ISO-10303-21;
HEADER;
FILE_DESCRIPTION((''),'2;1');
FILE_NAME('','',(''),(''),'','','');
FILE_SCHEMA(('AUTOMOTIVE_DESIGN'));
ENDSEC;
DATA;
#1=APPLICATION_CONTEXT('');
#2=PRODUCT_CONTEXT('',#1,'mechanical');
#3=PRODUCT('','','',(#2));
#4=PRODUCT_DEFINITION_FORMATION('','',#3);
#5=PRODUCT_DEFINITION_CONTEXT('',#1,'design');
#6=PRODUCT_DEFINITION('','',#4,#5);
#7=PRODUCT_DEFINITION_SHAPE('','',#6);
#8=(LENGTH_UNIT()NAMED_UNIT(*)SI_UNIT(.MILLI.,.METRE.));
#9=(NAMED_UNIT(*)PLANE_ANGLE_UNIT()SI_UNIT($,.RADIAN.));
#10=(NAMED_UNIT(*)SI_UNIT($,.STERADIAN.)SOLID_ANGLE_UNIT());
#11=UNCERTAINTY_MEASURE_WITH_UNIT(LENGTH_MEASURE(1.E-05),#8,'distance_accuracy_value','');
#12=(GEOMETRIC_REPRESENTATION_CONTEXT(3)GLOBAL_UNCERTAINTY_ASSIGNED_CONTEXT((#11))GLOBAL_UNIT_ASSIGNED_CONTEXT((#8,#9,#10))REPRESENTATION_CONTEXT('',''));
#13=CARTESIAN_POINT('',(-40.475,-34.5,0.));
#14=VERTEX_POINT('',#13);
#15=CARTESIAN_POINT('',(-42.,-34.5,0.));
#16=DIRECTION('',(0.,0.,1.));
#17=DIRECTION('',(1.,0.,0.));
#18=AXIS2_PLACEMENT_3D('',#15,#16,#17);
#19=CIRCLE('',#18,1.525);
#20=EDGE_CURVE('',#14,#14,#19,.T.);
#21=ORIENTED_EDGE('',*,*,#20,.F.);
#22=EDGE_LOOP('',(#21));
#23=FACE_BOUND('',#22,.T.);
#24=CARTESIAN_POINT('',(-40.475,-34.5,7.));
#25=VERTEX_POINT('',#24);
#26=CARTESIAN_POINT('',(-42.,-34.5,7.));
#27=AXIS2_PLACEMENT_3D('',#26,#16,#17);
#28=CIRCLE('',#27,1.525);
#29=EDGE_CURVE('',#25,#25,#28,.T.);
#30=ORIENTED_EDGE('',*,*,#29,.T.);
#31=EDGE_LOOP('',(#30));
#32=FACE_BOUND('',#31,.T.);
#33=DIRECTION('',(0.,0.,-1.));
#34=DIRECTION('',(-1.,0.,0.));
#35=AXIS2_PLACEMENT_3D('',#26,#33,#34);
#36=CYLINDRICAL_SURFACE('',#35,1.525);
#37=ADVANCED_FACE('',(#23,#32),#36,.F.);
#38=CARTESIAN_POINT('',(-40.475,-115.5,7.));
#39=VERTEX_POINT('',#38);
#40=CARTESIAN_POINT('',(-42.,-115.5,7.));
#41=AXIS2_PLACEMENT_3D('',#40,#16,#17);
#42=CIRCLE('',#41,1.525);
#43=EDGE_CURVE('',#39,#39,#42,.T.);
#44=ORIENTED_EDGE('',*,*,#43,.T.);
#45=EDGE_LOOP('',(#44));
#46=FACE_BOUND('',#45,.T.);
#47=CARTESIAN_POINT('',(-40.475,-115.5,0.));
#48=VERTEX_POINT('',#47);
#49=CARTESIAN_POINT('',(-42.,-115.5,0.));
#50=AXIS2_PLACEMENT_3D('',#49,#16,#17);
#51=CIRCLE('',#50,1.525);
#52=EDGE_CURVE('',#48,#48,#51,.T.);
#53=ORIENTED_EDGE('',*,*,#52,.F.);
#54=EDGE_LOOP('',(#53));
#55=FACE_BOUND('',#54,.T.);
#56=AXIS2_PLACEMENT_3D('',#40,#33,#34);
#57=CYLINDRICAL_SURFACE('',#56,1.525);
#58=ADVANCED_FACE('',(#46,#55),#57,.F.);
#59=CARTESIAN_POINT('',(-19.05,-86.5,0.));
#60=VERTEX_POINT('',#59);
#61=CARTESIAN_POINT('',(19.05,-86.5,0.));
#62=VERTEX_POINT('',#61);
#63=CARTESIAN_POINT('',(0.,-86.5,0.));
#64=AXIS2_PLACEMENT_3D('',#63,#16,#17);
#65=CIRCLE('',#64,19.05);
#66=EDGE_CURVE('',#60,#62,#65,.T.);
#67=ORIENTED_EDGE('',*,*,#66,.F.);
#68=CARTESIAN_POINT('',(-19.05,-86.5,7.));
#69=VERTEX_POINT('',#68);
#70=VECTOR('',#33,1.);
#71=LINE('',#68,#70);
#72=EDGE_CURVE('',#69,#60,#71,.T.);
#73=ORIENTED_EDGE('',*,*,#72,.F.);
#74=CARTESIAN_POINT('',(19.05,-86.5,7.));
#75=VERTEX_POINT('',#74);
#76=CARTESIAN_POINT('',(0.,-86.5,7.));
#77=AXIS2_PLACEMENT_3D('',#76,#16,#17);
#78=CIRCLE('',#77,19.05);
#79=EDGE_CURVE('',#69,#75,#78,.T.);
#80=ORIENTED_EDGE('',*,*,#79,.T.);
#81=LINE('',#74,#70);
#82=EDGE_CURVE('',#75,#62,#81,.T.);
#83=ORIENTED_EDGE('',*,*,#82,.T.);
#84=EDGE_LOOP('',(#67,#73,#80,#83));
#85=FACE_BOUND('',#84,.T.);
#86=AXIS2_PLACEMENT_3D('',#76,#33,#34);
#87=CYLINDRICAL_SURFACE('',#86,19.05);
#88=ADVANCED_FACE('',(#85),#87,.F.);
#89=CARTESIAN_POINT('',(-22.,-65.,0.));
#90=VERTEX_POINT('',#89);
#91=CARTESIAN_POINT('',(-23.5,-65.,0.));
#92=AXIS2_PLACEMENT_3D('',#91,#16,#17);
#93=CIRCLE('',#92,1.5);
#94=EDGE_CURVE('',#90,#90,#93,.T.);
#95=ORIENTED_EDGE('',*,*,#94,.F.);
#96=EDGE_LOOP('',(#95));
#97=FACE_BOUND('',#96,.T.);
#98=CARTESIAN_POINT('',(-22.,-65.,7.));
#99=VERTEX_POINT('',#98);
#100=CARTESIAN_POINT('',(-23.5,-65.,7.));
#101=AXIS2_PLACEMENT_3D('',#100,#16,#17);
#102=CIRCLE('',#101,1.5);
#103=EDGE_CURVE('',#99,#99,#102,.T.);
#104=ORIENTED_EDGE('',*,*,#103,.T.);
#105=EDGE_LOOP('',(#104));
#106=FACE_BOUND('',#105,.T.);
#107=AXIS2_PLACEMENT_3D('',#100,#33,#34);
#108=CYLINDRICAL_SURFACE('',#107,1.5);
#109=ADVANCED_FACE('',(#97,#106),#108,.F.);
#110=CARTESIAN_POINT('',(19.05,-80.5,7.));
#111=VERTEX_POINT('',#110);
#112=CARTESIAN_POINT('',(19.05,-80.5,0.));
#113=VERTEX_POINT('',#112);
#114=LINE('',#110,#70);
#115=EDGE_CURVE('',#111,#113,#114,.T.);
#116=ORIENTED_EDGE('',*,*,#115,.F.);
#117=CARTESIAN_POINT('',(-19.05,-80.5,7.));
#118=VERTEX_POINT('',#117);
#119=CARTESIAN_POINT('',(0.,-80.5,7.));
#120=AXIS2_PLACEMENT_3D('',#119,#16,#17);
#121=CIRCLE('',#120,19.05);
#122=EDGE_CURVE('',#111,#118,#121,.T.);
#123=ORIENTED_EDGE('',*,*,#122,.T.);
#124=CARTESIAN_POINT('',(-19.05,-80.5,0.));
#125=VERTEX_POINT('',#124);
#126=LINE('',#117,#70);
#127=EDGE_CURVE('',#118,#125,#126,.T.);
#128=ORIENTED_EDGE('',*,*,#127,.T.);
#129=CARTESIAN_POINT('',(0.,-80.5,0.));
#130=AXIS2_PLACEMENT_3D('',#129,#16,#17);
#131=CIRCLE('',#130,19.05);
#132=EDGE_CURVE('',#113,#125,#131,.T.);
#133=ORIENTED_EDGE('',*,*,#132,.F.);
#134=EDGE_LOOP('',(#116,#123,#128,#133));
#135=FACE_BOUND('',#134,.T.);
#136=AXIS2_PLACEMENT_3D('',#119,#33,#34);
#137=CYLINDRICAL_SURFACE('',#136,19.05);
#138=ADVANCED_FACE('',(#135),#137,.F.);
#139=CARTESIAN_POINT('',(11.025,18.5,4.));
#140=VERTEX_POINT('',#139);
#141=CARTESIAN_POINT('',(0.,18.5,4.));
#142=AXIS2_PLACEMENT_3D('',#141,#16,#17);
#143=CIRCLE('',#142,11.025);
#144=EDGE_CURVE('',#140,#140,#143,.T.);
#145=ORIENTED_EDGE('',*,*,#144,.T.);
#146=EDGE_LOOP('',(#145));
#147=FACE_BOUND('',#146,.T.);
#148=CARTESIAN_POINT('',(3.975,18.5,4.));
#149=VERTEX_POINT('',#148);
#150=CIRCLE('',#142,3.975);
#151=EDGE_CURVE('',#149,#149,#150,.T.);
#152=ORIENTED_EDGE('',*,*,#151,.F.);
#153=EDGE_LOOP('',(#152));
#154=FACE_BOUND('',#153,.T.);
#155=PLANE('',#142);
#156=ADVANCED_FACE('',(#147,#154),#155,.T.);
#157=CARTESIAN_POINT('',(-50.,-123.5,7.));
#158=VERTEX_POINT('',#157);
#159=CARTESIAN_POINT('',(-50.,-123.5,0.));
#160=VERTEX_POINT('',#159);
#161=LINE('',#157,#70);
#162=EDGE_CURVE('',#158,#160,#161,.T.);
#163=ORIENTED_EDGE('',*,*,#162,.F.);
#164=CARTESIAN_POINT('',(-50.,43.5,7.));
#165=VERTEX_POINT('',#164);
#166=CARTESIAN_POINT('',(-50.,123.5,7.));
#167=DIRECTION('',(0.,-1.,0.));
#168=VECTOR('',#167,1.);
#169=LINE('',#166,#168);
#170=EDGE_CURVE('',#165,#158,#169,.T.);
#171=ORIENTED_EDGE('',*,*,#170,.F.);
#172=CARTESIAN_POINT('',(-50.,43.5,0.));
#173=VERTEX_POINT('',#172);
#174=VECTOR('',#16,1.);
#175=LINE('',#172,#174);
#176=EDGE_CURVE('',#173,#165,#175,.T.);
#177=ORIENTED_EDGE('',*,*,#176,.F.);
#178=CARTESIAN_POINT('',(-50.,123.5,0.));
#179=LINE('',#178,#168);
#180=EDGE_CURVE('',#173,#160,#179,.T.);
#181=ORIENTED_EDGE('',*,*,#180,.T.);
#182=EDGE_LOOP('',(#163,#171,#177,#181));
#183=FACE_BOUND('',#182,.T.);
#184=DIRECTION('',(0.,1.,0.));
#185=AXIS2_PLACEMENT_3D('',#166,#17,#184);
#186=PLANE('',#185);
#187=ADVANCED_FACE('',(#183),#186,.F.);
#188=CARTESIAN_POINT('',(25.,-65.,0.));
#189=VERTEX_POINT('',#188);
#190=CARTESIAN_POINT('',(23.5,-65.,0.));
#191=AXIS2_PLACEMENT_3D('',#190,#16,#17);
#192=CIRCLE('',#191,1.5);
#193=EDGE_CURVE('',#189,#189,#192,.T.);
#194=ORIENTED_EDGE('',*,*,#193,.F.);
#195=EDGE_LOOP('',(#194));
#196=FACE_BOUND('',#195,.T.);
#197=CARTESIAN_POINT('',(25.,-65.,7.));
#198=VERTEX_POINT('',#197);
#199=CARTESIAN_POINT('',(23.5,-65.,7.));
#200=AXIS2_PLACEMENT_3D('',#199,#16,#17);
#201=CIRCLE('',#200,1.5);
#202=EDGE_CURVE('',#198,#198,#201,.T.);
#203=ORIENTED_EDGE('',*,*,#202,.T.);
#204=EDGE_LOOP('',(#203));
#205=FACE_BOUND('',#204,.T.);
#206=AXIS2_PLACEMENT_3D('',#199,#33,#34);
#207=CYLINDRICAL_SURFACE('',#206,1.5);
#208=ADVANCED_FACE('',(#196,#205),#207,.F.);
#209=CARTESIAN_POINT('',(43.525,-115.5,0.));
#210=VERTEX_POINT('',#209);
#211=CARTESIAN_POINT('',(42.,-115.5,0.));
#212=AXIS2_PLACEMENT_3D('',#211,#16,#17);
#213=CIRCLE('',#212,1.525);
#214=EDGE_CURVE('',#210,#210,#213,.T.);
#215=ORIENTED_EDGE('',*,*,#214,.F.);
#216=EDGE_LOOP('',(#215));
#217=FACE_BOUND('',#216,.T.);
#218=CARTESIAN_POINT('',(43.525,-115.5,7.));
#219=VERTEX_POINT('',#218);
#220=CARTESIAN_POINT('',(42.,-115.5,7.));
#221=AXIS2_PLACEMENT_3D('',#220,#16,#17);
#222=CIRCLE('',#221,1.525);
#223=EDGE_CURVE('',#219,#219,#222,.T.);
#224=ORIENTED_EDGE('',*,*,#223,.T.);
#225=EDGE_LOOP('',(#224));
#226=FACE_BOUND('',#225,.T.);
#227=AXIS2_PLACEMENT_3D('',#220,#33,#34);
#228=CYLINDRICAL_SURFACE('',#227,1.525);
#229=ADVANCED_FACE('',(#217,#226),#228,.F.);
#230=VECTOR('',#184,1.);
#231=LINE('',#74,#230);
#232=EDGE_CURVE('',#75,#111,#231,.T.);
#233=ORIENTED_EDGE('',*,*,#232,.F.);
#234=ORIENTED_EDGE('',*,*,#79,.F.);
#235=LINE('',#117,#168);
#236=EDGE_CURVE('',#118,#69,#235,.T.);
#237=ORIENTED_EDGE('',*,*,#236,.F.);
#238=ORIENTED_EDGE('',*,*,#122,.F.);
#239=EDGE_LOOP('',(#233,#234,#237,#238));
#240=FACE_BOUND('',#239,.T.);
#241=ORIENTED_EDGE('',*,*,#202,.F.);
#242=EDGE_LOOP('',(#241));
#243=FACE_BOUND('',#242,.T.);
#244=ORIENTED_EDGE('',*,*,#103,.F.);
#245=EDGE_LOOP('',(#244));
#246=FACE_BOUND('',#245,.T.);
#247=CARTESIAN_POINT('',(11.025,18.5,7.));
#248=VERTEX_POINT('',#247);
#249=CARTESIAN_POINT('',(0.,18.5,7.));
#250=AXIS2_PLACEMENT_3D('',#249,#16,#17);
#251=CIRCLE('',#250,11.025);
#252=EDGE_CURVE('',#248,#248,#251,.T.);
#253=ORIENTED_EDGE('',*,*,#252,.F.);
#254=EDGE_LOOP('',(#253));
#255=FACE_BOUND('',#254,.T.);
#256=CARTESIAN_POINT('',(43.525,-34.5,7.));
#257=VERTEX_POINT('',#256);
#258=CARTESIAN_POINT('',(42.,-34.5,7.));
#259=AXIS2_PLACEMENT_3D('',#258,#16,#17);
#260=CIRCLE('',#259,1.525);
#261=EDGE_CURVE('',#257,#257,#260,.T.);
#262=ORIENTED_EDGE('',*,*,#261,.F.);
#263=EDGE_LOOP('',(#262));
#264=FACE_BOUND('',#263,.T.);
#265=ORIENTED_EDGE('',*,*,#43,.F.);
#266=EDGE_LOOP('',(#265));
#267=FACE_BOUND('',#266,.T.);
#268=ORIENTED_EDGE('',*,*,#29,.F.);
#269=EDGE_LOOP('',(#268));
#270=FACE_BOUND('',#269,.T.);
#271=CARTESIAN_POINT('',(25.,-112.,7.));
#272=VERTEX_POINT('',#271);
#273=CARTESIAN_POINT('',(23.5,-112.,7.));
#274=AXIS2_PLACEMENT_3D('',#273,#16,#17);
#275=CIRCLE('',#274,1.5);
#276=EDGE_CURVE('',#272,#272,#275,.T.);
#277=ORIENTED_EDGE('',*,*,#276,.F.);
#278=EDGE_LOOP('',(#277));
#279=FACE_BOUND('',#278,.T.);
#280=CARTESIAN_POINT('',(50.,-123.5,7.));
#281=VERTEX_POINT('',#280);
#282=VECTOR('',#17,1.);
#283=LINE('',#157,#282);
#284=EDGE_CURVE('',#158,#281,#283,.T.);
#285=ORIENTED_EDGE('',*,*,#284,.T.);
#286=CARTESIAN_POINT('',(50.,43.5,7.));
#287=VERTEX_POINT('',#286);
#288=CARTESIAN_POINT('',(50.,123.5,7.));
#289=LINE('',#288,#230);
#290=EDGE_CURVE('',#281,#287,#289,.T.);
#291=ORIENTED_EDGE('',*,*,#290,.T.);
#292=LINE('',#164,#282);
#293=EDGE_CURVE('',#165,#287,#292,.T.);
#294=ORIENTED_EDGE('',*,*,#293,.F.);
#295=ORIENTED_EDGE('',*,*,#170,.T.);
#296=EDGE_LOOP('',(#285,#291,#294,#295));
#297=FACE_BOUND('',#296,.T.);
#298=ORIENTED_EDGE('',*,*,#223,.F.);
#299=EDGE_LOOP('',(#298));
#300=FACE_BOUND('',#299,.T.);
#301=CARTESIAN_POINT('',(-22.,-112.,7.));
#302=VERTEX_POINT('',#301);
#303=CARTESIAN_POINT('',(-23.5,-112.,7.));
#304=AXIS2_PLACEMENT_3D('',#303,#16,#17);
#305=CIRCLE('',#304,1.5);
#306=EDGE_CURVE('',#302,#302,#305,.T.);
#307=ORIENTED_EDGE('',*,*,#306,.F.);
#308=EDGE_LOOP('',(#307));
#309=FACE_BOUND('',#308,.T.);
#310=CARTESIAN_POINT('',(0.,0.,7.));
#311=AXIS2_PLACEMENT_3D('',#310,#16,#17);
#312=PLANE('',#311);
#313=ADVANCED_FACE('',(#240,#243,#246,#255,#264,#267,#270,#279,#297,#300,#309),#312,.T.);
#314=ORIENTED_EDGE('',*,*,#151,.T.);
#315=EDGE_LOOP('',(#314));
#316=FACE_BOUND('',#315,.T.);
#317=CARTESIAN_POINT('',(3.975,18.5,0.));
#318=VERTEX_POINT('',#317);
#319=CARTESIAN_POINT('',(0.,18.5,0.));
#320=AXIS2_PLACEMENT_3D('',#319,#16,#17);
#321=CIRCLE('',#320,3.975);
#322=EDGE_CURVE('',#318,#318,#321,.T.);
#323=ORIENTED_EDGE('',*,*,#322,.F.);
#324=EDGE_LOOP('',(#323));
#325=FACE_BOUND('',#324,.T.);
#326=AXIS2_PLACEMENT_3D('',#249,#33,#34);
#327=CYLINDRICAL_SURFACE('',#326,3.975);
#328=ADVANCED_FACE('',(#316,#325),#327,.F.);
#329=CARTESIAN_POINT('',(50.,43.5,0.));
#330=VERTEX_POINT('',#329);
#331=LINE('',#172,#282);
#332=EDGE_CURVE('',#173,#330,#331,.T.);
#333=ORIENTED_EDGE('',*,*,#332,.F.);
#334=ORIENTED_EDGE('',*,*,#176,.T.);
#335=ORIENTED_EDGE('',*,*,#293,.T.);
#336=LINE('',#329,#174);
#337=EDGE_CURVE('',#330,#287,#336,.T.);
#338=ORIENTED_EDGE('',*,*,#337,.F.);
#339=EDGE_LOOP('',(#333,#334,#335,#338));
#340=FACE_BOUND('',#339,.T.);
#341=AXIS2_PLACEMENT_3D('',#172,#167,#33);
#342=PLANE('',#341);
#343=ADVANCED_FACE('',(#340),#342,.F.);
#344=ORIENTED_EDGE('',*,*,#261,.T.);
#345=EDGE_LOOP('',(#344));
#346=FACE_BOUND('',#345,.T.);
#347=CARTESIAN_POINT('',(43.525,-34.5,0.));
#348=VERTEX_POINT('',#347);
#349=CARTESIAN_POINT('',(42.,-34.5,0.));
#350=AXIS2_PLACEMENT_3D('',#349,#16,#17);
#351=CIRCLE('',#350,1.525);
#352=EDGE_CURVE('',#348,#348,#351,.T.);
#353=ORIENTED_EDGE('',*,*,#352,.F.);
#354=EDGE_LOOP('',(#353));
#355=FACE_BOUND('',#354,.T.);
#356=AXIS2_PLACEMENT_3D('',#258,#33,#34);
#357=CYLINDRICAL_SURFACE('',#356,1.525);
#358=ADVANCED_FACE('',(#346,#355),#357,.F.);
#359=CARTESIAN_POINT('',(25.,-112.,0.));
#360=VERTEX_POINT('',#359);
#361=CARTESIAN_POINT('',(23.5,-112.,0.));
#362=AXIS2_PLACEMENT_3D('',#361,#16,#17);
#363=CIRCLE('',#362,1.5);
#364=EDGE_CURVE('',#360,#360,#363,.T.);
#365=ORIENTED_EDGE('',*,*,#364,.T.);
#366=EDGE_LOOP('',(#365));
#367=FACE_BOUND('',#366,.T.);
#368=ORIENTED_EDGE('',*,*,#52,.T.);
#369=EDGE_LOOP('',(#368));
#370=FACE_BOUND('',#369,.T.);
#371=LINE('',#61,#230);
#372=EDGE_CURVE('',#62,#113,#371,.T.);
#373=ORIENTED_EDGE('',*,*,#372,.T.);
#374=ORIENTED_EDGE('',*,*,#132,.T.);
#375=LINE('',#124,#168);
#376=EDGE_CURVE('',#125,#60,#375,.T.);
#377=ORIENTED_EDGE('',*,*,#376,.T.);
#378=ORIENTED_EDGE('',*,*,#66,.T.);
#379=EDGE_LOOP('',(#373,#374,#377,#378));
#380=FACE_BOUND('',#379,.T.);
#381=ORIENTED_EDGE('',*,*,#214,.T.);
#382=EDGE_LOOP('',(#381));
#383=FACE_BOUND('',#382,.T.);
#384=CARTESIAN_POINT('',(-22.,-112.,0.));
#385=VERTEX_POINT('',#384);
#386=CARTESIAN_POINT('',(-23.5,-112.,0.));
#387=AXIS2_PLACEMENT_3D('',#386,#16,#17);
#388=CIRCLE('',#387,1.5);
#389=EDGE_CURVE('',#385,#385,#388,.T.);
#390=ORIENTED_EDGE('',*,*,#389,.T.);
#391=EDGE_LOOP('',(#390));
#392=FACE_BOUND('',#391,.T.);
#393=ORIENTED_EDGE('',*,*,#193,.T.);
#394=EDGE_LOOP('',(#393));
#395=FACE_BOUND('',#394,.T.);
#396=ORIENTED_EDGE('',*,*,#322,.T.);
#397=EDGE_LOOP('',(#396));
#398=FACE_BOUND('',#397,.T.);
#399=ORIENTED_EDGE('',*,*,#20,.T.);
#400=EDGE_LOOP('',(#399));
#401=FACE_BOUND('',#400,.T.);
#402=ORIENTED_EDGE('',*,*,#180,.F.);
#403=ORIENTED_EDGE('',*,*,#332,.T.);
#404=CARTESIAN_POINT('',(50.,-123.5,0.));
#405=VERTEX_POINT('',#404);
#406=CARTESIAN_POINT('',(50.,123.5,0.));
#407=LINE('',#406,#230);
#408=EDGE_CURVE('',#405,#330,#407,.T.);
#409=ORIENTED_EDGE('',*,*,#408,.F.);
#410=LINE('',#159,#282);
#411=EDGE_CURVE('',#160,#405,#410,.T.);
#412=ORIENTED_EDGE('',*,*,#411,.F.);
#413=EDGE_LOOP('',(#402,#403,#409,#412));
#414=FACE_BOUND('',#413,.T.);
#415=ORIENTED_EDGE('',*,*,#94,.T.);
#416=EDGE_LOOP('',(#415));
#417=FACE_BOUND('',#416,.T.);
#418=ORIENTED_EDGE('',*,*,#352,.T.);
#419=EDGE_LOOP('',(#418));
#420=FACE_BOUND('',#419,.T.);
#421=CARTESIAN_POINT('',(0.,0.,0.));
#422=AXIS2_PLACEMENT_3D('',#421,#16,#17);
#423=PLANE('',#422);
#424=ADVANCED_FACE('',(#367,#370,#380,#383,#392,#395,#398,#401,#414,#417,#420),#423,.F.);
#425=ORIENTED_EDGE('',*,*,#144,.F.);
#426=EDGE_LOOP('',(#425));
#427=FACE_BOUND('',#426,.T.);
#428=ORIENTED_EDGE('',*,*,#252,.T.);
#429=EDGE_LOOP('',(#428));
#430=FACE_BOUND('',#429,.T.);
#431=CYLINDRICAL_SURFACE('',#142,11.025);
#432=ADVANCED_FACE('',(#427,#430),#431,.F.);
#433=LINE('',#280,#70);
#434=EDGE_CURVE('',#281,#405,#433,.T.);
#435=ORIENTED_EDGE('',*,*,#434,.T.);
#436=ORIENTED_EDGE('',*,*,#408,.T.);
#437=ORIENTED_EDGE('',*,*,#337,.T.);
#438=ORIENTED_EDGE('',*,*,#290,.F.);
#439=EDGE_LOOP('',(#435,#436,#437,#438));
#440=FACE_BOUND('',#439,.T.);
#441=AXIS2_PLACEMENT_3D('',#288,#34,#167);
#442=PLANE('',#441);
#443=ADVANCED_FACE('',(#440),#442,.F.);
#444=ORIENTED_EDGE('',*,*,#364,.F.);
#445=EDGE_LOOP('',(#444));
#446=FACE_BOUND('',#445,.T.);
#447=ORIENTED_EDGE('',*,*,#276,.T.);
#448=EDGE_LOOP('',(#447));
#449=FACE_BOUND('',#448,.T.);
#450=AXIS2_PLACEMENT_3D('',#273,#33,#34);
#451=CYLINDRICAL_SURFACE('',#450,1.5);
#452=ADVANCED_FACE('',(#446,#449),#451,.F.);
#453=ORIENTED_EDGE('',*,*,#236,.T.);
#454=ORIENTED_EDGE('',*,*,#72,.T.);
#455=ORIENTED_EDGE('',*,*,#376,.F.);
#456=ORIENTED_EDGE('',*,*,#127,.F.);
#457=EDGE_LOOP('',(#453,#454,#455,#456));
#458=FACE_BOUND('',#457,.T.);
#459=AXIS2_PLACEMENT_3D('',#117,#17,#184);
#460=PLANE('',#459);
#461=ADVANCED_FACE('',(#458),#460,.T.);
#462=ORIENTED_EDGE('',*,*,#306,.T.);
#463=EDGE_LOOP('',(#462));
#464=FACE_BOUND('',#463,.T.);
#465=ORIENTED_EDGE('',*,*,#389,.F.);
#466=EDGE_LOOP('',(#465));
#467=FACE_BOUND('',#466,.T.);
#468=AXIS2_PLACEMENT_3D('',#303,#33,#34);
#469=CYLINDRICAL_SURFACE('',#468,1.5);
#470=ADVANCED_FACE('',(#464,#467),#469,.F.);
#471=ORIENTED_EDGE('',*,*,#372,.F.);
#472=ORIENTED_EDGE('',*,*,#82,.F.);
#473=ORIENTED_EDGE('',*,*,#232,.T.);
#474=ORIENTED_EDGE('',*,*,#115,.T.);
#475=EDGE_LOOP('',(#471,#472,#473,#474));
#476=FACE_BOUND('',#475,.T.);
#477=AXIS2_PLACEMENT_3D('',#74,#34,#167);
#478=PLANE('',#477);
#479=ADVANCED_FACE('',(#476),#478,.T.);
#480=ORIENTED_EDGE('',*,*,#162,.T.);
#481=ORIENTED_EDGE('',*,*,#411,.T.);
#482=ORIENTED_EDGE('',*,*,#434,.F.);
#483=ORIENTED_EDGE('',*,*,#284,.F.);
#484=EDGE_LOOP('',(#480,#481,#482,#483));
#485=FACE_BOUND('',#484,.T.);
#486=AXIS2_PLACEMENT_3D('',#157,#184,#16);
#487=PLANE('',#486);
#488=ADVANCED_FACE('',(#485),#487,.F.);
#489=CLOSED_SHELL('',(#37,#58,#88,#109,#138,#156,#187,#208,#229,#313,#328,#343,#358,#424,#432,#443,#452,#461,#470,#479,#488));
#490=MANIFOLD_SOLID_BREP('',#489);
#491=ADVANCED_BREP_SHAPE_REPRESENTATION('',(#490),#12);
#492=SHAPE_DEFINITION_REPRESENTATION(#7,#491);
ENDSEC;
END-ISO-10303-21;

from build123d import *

# Parameters (mm, degrees)
SKETCH1_W           = 100
SKETCH1_H           = 247
SKETCH1_R           = 1.525
SKETCH1_R_2         = 3.975
SKETCH1_R_3         = 1.5
BOSS_EXTRUDE1_DEPTH = 7
SKETCH2_R           = 11.025
CUT_EXTRUDE1_DEPTH  = 3
SKETCH4_W           = 100
SKETCH4_H           = 80
CUT_EXTRUDE3_DEPTH  = 134.421325132


with BuildPart() as part:
    # Sketch1 → Boss-Extrude1 (new body)
    with BuildSketch(Plane.XY):
        Rectangle(SKETCH1_W, SKETCH1_H)
        with Locations((-42, -34.5)):
            Circle(SKETCH1_R, mode=Mode.SUBTRACT)
        with Locations((42, -34.5)):
            Circle(SKETCH1_R, mode=Mode.SUBTRACT)
        with Locations((-42, -115.5)):
            Circle(SKETCH1_R, mode=Mode.SUBTRACT)
        with Locations((42, -115.5)):
            Circle(SKETCH1_R, mode=Mode.SUBTRACT)
        with Locations((0, 18.5)):
            Circle(SKETCH1_R_2, mode=Mode.SUBTRACT)
        with Locations((42, 115.5)):
            Circle(SKETCH1_R, mode=Mode.SUBTRACT)
        with Locations((-42, 115.5)):
            Circle(SKETCH1_R, mode=Mode.SUBTRACT)
        with Locations((-23.5, -65)):
            Circle(SKETCH1_R_3, mode=Mode.SUBTRACT)
        with Locations((-23.5, -112)):
            Circle(SKETCH1_R_3, mode=Mode.SUBTRACT)
        with Locations((23.5, -112)):
            Circle(SKETCH1_R_3, mode=Mode.SUBTRACT)
        with Locations((23.5, -65)):
            Circle(SKETCH1_R_3, mode=Mode.SUBTRACT)
        with BuildLine():
            Line((-19.05, -80.5), (-19.05, -86.5))
            ThreePointArc((-19.05, -86.5), (0, -105.55), (19.05, -86.5))
            Line((19.05, -86.5), (19.05, -80.5))
            ThreePointArc((19.05, -80.5), (0, -61.45), (-19.05, -80.5))
        make_face(mode=Mode.SUBTRACT)
    extrude(amount=BOSS_EXTRUDE1_DEPTH)

    # Sketch2 → Cut-Extrude1 (cut)
    with BuildSketch(Plane.XY.offset(7)):
        with Locations((0, 18.5)):
            Circle(SKETCH2_R)
    extrude(amount=-CUT_EXTRUDE1_DEPTH, mode=Mode.SUBTRACT)

    # Sketch4 → Cut-Extrude3 (cut, through all)
    with BuildSketch(Plane.XY.offset(7)):
        with Locations((0, 83.5)):
            Rectangle(SKETCH4_W, SKETCH4_H)
    extrude(amount=-CUT_EXTRUDE3_DEPTH, mode=Mode.SUBTRACT)


solid = part.part
